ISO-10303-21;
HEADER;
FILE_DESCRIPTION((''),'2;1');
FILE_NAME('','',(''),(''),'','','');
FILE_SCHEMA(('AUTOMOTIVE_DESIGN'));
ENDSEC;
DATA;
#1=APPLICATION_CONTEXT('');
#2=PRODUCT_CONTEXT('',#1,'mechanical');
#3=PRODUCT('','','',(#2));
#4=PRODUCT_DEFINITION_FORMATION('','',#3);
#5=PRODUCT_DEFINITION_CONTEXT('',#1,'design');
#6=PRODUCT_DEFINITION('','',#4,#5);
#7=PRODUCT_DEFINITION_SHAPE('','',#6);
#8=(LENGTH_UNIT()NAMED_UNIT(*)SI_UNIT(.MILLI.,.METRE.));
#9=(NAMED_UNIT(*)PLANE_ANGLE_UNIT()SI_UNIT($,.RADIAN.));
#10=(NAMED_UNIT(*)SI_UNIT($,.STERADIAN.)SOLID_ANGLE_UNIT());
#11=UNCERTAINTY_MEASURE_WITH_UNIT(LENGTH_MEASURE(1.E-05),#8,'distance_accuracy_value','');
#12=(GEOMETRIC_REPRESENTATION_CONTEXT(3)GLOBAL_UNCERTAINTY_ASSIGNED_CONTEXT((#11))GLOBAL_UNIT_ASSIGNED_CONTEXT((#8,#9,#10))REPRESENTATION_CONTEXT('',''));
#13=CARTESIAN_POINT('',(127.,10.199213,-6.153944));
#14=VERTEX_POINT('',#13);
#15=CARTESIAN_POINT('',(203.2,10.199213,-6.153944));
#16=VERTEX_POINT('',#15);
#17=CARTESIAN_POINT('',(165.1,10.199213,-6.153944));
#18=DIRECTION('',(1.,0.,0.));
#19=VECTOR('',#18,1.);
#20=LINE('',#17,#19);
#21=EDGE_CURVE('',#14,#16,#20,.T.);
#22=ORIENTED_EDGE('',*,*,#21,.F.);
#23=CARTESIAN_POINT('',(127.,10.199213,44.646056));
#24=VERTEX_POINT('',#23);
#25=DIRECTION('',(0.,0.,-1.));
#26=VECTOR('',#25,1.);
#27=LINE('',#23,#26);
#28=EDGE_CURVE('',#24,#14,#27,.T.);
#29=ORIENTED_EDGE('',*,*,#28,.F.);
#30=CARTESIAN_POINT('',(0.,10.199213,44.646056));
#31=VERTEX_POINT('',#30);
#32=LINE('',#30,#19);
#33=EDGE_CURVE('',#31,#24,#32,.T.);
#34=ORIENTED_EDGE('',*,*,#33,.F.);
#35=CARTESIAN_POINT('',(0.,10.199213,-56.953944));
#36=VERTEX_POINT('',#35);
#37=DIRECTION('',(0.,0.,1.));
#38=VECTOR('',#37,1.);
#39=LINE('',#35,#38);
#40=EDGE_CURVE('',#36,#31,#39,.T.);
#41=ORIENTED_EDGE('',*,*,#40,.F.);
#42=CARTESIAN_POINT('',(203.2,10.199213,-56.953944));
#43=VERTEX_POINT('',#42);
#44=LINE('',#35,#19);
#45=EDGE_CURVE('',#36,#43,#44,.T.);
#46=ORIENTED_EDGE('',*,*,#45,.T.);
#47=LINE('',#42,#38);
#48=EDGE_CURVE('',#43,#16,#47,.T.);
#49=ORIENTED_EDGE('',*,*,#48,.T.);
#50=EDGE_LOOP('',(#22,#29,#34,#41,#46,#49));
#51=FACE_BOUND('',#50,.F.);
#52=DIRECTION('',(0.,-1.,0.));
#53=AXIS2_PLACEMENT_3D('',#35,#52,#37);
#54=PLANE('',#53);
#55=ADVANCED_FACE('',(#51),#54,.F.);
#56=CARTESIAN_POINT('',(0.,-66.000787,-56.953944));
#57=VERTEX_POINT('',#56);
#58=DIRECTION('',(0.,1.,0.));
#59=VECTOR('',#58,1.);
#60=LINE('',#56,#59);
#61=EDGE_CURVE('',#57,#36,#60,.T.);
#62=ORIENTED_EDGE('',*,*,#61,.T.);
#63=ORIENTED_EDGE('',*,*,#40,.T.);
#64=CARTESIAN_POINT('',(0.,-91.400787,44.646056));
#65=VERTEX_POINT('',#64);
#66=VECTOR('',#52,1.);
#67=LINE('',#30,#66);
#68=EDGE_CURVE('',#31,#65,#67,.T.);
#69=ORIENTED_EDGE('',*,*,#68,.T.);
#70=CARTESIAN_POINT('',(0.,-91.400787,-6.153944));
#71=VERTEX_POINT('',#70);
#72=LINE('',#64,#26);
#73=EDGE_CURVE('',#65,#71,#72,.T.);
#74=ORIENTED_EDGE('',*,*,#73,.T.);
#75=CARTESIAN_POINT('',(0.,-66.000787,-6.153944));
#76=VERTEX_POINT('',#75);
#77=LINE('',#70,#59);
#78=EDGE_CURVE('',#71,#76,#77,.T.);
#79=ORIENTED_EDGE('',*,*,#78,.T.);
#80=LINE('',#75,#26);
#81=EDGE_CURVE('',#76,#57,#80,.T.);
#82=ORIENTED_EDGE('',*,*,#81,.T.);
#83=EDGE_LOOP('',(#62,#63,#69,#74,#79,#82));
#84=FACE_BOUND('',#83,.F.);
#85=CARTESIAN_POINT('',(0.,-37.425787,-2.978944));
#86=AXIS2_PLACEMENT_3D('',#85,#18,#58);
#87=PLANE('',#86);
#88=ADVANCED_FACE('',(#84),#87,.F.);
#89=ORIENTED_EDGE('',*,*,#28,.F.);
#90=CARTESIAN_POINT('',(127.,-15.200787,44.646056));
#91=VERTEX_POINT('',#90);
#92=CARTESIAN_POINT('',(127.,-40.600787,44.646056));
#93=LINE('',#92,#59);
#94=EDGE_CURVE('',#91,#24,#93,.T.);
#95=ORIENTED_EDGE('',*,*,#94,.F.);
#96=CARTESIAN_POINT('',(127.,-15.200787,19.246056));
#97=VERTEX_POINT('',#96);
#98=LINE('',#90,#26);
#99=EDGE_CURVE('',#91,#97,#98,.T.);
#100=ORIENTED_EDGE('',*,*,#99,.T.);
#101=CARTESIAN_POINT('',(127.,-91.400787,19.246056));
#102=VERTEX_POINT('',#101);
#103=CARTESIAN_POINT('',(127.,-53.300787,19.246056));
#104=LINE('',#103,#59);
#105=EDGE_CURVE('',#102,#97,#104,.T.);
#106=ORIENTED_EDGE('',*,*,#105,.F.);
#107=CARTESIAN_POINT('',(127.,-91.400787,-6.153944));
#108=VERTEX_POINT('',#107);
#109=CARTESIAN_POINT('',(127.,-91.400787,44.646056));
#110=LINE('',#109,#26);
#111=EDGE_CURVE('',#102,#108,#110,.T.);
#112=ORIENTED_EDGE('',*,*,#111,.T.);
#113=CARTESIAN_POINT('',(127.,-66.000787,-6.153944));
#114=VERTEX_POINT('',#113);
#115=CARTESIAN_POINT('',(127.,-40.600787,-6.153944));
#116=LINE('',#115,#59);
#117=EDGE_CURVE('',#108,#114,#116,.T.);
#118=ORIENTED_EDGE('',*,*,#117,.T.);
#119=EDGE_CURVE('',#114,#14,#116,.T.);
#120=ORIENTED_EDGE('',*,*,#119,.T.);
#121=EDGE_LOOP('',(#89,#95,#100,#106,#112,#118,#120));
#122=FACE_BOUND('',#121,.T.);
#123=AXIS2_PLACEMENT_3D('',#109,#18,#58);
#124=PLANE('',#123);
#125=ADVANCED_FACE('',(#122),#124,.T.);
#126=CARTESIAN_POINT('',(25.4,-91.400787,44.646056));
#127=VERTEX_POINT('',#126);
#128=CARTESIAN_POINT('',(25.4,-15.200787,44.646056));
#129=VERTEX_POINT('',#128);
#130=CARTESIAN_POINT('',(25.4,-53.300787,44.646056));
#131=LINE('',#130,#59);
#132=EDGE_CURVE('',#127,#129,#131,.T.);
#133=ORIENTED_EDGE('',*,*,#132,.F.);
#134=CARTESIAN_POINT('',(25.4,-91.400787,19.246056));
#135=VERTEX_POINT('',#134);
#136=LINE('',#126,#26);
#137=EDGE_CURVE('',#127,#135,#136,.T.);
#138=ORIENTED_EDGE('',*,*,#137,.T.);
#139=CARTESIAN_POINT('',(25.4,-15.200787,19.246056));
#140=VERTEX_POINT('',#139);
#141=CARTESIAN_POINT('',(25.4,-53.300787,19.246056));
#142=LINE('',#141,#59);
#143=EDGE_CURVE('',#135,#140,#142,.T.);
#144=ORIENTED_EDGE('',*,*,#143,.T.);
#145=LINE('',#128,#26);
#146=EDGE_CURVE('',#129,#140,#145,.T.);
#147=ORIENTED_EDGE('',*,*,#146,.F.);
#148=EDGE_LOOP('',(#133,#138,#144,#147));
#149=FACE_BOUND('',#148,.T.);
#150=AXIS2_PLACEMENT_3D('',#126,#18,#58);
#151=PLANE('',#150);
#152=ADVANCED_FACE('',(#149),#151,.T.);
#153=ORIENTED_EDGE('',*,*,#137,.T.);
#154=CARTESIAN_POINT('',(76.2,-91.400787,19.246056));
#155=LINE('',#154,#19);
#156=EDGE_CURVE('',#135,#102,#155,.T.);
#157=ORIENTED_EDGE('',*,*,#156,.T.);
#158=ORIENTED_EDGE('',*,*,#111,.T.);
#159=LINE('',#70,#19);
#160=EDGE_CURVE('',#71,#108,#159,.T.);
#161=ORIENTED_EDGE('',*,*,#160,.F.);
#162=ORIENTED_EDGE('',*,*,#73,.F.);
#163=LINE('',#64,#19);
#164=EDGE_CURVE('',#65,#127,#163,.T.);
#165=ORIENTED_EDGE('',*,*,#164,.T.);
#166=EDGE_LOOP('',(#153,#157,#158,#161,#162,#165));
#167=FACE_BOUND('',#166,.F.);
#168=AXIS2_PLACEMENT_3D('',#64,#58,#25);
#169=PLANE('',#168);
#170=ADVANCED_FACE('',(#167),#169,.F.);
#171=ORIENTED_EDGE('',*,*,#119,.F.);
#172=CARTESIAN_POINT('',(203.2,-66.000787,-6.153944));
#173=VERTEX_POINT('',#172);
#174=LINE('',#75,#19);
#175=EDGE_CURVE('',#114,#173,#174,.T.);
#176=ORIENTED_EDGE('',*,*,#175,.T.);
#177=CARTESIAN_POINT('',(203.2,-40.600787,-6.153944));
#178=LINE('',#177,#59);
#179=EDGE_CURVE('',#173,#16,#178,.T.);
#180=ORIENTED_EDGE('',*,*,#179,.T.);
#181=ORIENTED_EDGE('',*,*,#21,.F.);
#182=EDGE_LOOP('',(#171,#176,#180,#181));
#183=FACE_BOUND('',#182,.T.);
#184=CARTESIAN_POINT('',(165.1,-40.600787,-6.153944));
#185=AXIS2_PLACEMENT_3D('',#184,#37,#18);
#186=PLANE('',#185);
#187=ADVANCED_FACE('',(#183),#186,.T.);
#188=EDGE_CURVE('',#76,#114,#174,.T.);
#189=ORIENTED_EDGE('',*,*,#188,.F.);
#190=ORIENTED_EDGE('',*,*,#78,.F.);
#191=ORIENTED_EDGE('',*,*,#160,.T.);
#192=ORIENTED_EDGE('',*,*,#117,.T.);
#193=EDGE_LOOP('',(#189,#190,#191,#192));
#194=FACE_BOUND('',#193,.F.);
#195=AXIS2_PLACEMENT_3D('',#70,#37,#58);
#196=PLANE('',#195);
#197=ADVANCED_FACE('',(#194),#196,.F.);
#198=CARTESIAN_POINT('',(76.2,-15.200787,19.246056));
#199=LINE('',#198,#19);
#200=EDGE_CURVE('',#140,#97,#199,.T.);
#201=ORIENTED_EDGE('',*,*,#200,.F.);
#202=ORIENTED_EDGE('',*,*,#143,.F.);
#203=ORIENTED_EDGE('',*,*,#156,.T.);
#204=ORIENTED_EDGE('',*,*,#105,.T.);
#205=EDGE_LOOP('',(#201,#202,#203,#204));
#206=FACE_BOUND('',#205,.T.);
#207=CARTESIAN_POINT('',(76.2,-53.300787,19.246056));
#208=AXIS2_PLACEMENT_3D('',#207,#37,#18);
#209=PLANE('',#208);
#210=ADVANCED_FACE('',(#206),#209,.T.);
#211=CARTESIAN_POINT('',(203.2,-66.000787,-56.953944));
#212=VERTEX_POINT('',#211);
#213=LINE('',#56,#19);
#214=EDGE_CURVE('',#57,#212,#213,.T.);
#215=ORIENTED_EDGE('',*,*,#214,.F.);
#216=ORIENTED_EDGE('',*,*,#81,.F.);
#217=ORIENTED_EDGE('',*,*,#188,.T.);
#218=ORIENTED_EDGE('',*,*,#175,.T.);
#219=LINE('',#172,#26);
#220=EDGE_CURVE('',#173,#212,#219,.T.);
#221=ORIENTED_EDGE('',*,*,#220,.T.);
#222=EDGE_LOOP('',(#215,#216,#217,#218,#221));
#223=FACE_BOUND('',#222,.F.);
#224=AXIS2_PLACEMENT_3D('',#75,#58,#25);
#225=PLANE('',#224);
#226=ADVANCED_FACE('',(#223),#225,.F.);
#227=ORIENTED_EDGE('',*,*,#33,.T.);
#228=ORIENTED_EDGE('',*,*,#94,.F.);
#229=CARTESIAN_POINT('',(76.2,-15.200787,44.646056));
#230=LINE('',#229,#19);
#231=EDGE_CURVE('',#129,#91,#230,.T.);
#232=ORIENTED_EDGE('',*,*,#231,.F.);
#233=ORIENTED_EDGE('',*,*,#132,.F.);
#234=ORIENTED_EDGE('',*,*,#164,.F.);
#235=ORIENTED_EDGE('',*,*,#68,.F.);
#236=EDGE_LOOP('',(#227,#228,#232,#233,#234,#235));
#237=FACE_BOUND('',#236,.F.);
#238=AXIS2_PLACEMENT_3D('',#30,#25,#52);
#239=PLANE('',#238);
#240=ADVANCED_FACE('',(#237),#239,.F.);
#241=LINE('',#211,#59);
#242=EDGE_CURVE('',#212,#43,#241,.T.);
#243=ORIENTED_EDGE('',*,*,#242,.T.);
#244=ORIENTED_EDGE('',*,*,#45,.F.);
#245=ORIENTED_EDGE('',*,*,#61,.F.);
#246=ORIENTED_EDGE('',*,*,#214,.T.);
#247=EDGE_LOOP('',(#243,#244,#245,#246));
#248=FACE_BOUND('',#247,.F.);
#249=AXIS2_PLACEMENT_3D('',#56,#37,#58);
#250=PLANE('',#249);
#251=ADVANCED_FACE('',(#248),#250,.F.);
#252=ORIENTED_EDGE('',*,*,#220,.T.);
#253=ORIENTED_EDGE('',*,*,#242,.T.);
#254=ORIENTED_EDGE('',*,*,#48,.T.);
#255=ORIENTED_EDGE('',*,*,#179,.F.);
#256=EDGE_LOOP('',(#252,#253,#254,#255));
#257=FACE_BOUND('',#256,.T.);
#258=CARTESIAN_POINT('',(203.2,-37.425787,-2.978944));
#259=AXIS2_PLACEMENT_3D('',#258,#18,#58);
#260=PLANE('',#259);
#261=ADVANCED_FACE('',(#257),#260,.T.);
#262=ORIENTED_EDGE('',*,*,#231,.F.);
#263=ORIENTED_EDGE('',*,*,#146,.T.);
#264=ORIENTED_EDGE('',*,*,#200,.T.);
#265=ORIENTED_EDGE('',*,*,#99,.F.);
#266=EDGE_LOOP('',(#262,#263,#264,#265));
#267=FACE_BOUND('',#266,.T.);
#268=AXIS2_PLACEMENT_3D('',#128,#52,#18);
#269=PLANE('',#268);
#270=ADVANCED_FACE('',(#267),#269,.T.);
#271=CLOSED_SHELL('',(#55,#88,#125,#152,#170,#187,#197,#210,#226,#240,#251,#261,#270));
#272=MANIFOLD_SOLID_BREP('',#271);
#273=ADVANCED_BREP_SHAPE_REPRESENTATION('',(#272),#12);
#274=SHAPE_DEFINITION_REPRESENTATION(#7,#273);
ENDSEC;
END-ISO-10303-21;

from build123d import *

# Parameters (mm, degrees)
F1_DEPTH = 203.2
F2_W     = 101.6
F2_H     = 76.2
F3_DEPTH = 25.4
F4_W     = 76.2
F4_H     = 101.6
F5_DEPTH = 50.8


with BuildPart() as f1:
    # F0 (on Right) → F1 (new body)
    with BuildSketch(Plane.YZ):
        Polygon((-66.000787, -56.953944), (10.199213, -56.953944), (10.199213, -6.153944), (10.199213, 44.646056), (-91.400787, 44.646056), (-91.400787, -6.153944), (-66.000787, -6.153944), align=None)
    extrude(amount=F1_DEPTH)

    # F2 (on face) → F3 (cut)
    with BuildSketch(Plane.XY.offset(44.646056)):
        with Locations((76.2, -53.300787)):
            Rectangle(F2_W, F2_H)
    extrude(amount=-F3_DEPTH, mode=Mode.SUBTRACT)

    # F4 (on face) → F5 (cut)
    with BuildSketch(Plane.XY.offset(44.646056)):
        with Locations((165.1, -40.600787)):
            Rectangle(F4_W, F4_H)
    extrude(amount=-F5_DEPTH, mode=Mode.SUBTRACT)


solid = f1.part
